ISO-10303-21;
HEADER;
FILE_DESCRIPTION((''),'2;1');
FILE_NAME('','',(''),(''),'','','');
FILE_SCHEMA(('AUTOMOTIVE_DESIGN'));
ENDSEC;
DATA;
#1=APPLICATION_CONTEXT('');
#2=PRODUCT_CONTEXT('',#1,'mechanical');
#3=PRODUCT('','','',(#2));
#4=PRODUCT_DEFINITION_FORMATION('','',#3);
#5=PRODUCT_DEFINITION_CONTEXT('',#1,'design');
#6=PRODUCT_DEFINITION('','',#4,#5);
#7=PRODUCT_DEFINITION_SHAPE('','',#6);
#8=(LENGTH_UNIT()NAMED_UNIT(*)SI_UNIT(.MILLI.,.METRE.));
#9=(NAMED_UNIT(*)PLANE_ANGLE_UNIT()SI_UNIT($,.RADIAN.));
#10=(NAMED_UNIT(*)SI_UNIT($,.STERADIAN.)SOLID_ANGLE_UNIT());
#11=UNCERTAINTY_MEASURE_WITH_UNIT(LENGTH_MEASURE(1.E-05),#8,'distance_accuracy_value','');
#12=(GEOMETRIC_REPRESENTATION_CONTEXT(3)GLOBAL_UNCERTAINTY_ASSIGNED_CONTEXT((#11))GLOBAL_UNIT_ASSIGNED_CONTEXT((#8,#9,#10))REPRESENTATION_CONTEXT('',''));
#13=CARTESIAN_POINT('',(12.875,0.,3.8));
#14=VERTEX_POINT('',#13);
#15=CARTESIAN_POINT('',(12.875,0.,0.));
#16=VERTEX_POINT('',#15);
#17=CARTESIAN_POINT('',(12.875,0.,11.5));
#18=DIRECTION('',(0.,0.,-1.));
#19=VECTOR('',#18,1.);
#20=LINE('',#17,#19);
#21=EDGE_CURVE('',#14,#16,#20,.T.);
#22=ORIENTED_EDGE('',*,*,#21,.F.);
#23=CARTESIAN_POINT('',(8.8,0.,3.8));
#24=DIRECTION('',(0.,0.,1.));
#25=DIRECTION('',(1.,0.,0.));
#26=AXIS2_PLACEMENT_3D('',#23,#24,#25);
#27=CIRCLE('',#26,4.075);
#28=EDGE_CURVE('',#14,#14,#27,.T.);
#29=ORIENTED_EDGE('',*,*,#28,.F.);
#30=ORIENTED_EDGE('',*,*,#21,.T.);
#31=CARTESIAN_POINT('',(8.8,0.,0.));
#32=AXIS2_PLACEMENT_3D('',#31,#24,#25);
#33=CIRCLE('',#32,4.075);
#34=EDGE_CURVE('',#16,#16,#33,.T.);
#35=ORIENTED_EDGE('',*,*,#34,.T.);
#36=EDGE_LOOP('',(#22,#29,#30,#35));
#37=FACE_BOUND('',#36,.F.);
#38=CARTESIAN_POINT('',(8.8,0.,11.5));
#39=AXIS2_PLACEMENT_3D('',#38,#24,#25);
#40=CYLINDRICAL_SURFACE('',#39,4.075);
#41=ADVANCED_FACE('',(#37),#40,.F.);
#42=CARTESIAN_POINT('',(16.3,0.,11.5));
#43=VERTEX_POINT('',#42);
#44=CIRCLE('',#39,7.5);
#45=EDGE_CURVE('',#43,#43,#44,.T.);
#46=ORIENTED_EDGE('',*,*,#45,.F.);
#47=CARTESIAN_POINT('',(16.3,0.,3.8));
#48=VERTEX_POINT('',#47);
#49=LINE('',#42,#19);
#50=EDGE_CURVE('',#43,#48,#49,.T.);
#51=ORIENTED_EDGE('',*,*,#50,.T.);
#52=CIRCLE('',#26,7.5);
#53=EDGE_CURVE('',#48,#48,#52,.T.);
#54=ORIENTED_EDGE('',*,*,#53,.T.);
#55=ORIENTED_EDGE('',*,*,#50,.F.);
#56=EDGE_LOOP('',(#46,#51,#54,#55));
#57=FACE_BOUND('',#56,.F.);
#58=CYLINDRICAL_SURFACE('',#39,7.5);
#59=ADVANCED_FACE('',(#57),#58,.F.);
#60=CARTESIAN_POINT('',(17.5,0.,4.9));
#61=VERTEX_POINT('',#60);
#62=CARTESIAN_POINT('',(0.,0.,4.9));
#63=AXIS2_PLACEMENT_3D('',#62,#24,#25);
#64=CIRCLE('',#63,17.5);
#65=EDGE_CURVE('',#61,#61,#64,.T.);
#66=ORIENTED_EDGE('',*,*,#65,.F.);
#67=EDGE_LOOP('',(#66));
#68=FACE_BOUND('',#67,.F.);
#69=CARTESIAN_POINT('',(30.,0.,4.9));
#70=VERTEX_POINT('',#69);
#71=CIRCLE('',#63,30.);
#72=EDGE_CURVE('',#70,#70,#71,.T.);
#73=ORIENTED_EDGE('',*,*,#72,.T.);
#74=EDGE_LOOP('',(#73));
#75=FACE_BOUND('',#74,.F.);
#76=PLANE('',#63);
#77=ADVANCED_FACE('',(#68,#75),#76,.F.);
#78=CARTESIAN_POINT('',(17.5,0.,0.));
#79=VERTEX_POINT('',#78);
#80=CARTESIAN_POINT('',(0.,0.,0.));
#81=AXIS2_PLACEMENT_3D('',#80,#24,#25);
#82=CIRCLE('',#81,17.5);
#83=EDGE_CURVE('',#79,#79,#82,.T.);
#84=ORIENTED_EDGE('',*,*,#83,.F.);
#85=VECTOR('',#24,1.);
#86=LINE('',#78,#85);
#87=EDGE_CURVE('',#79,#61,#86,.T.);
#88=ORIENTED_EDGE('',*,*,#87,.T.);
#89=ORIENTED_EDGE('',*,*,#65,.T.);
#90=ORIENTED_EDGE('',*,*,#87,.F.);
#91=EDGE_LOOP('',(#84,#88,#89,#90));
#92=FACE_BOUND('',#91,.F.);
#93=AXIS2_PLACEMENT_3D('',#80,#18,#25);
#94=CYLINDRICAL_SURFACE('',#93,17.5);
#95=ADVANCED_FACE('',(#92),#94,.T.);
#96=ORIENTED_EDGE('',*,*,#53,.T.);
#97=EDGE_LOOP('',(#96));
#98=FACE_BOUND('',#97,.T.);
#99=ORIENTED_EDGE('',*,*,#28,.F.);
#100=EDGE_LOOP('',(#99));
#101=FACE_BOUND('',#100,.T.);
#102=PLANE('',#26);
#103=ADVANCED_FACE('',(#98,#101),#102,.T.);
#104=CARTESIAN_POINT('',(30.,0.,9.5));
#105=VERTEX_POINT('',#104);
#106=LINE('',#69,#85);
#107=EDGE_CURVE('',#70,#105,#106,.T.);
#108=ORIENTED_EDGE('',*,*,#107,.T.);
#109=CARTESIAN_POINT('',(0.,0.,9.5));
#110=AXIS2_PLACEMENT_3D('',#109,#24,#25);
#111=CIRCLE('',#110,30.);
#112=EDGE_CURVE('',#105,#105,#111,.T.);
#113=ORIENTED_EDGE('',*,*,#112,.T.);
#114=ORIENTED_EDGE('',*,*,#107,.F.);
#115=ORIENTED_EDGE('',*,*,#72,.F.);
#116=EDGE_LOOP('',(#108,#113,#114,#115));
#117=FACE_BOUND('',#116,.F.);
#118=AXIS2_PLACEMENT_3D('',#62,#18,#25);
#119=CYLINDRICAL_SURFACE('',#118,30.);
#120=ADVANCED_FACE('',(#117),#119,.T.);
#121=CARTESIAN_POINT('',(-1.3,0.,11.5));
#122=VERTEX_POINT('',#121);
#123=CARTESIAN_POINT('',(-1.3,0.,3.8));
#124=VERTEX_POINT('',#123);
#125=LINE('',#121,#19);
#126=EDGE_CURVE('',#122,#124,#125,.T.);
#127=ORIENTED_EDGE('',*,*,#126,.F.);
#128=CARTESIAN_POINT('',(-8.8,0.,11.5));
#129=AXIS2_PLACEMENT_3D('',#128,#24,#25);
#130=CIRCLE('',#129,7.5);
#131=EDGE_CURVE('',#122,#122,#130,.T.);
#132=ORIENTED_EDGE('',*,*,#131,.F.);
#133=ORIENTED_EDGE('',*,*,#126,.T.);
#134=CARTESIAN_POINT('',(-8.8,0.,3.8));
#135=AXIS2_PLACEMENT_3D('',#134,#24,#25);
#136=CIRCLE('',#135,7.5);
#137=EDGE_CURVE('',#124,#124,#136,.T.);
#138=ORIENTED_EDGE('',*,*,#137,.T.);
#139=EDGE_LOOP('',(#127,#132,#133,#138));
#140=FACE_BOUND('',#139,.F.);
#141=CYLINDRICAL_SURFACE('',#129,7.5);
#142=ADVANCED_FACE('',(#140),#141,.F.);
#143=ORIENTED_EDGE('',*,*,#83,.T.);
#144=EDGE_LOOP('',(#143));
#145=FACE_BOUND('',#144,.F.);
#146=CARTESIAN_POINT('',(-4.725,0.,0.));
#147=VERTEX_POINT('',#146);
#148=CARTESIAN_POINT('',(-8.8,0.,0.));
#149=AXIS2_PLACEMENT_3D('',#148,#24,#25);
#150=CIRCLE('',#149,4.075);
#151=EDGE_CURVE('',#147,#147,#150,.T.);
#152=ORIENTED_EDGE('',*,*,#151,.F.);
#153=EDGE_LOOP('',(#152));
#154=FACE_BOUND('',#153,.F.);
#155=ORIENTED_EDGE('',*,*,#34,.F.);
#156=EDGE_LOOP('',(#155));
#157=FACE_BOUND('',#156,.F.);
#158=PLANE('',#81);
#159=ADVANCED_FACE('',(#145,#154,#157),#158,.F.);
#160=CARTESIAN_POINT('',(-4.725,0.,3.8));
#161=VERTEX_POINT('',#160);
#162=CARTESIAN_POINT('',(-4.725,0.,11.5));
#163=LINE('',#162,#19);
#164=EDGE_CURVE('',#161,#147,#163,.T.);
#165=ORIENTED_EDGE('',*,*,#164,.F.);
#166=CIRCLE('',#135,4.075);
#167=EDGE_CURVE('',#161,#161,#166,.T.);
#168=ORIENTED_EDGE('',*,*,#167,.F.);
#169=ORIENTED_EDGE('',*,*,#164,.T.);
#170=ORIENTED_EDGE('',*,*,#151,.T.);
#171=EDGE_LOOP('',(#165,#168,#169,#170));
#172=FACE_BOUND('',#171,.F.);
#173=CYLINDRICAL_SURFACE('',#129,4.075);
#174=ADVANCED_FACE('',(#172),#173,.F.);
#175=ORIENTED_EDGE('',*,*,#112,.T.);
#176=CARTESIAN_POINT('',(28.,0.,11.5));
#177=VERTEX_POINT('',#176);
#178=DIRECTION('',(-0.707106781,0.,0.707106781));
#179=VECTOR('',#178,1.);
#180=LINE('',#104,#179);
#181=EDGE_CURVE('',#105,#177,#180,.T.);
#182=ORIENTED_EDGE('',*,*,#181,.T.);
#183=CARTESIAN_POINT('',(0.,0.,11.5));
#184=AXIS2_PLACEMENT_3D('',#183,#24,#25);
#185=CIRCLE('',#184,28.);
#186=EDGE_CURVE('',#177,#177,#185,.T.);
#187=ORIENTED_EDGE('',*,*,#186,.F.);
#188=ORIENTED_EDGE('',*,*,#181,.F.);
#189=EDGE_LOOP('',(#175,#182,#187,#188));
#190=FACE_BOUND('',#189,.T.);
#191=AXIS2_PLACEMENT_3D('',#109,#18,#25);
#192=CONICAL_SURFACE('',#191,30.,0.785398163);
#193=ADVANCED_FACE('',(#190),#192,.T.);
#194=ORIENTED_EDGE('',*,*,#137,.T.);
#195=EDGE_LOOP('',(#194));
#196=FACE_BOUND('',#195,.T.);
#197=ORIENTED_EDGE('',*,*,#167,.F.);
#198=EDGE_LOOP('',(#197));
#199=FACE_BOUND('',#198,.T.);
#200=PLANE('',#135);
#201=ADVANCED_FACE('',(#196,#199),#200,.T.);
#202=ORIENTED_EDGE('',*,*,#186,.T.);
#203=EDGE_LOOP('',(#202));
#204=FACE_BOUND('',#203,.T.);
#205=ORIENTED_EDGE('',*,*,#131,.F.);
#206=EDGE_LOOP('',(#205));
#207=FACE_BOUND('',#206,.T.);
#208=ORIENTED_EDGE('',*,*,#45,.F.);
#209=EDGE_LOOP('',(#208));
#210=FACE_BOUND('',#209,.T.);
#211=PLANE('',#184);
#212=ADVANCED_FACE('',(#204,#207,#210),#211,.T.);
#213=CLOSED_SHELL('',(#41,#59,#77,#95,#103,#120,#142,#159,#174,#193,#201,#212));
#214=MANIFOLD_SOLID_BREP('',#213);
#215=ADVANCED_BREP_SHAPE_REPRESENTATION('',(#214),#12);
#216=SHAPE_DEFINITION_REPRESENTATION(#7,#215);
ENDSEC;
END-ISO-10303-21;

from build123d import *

# Parameters (mm, degrees)
F0_R     = 17.5
F1_DEPTH = 4.9
F2_R     = 30
F3_DEPTH = 6.6
F4_SIZE  = 2
F5_R     = 7.5
F5_R_2   = 4.075
F6_DEPTH = 7.7
F7_DEPTH = 11.501


with BuildPart() as f1:
    # F0 (on Top) → F1 (new body)
    with BuildSketch(Plane.XY):
        Circle(F0_R)
    extrude(amount=F1_DEPTH)

    # F2 (on face) → F3 (join)
    with BuildSketch(Plane.XY.offset(4.9)):
        Circle(F2_R)
    extrude(amount=F3_DEPTH)

    # F4
    f4_edges = [f1.edges().sort_by_distance(p)[0] for p in [
        (-30, 0, 11.5),
    ]]
    chamfer(f4_edges, length=F4_SIZE)

    # F5 (on face) → F6 (cut)
    with BuildSketch(Plane.XY.offset(11.5)):
        with Locations((-8.8, 0)):
            Circle(F5_R)
        with Locations((-8.8, 0)):
            Circle(F5_R_2, mode=Mode.SUBTRACT)
        with Locations((8.8, 0)):
            Circle(F5_R)
        with Locations((8.8, 0)):
            Circle(F5_R_2, mode=Mode.SUBTRACT)
    extrude(amount=-F6_DEPTH, mode=Mode.SUBTRACT)

    # F7 (cut, through all): faces of the model
    f7_faces = [f1.faces().sort_by_distance(p)[0] for p in [
        (-8.8, 0, 11.5),
        (8.8, 0, 11.5),
    ]]
    extrude(f7_faces, amount=-F7_DEPTH, mode=Mode.SUBTRACT)


solid = f1.part
